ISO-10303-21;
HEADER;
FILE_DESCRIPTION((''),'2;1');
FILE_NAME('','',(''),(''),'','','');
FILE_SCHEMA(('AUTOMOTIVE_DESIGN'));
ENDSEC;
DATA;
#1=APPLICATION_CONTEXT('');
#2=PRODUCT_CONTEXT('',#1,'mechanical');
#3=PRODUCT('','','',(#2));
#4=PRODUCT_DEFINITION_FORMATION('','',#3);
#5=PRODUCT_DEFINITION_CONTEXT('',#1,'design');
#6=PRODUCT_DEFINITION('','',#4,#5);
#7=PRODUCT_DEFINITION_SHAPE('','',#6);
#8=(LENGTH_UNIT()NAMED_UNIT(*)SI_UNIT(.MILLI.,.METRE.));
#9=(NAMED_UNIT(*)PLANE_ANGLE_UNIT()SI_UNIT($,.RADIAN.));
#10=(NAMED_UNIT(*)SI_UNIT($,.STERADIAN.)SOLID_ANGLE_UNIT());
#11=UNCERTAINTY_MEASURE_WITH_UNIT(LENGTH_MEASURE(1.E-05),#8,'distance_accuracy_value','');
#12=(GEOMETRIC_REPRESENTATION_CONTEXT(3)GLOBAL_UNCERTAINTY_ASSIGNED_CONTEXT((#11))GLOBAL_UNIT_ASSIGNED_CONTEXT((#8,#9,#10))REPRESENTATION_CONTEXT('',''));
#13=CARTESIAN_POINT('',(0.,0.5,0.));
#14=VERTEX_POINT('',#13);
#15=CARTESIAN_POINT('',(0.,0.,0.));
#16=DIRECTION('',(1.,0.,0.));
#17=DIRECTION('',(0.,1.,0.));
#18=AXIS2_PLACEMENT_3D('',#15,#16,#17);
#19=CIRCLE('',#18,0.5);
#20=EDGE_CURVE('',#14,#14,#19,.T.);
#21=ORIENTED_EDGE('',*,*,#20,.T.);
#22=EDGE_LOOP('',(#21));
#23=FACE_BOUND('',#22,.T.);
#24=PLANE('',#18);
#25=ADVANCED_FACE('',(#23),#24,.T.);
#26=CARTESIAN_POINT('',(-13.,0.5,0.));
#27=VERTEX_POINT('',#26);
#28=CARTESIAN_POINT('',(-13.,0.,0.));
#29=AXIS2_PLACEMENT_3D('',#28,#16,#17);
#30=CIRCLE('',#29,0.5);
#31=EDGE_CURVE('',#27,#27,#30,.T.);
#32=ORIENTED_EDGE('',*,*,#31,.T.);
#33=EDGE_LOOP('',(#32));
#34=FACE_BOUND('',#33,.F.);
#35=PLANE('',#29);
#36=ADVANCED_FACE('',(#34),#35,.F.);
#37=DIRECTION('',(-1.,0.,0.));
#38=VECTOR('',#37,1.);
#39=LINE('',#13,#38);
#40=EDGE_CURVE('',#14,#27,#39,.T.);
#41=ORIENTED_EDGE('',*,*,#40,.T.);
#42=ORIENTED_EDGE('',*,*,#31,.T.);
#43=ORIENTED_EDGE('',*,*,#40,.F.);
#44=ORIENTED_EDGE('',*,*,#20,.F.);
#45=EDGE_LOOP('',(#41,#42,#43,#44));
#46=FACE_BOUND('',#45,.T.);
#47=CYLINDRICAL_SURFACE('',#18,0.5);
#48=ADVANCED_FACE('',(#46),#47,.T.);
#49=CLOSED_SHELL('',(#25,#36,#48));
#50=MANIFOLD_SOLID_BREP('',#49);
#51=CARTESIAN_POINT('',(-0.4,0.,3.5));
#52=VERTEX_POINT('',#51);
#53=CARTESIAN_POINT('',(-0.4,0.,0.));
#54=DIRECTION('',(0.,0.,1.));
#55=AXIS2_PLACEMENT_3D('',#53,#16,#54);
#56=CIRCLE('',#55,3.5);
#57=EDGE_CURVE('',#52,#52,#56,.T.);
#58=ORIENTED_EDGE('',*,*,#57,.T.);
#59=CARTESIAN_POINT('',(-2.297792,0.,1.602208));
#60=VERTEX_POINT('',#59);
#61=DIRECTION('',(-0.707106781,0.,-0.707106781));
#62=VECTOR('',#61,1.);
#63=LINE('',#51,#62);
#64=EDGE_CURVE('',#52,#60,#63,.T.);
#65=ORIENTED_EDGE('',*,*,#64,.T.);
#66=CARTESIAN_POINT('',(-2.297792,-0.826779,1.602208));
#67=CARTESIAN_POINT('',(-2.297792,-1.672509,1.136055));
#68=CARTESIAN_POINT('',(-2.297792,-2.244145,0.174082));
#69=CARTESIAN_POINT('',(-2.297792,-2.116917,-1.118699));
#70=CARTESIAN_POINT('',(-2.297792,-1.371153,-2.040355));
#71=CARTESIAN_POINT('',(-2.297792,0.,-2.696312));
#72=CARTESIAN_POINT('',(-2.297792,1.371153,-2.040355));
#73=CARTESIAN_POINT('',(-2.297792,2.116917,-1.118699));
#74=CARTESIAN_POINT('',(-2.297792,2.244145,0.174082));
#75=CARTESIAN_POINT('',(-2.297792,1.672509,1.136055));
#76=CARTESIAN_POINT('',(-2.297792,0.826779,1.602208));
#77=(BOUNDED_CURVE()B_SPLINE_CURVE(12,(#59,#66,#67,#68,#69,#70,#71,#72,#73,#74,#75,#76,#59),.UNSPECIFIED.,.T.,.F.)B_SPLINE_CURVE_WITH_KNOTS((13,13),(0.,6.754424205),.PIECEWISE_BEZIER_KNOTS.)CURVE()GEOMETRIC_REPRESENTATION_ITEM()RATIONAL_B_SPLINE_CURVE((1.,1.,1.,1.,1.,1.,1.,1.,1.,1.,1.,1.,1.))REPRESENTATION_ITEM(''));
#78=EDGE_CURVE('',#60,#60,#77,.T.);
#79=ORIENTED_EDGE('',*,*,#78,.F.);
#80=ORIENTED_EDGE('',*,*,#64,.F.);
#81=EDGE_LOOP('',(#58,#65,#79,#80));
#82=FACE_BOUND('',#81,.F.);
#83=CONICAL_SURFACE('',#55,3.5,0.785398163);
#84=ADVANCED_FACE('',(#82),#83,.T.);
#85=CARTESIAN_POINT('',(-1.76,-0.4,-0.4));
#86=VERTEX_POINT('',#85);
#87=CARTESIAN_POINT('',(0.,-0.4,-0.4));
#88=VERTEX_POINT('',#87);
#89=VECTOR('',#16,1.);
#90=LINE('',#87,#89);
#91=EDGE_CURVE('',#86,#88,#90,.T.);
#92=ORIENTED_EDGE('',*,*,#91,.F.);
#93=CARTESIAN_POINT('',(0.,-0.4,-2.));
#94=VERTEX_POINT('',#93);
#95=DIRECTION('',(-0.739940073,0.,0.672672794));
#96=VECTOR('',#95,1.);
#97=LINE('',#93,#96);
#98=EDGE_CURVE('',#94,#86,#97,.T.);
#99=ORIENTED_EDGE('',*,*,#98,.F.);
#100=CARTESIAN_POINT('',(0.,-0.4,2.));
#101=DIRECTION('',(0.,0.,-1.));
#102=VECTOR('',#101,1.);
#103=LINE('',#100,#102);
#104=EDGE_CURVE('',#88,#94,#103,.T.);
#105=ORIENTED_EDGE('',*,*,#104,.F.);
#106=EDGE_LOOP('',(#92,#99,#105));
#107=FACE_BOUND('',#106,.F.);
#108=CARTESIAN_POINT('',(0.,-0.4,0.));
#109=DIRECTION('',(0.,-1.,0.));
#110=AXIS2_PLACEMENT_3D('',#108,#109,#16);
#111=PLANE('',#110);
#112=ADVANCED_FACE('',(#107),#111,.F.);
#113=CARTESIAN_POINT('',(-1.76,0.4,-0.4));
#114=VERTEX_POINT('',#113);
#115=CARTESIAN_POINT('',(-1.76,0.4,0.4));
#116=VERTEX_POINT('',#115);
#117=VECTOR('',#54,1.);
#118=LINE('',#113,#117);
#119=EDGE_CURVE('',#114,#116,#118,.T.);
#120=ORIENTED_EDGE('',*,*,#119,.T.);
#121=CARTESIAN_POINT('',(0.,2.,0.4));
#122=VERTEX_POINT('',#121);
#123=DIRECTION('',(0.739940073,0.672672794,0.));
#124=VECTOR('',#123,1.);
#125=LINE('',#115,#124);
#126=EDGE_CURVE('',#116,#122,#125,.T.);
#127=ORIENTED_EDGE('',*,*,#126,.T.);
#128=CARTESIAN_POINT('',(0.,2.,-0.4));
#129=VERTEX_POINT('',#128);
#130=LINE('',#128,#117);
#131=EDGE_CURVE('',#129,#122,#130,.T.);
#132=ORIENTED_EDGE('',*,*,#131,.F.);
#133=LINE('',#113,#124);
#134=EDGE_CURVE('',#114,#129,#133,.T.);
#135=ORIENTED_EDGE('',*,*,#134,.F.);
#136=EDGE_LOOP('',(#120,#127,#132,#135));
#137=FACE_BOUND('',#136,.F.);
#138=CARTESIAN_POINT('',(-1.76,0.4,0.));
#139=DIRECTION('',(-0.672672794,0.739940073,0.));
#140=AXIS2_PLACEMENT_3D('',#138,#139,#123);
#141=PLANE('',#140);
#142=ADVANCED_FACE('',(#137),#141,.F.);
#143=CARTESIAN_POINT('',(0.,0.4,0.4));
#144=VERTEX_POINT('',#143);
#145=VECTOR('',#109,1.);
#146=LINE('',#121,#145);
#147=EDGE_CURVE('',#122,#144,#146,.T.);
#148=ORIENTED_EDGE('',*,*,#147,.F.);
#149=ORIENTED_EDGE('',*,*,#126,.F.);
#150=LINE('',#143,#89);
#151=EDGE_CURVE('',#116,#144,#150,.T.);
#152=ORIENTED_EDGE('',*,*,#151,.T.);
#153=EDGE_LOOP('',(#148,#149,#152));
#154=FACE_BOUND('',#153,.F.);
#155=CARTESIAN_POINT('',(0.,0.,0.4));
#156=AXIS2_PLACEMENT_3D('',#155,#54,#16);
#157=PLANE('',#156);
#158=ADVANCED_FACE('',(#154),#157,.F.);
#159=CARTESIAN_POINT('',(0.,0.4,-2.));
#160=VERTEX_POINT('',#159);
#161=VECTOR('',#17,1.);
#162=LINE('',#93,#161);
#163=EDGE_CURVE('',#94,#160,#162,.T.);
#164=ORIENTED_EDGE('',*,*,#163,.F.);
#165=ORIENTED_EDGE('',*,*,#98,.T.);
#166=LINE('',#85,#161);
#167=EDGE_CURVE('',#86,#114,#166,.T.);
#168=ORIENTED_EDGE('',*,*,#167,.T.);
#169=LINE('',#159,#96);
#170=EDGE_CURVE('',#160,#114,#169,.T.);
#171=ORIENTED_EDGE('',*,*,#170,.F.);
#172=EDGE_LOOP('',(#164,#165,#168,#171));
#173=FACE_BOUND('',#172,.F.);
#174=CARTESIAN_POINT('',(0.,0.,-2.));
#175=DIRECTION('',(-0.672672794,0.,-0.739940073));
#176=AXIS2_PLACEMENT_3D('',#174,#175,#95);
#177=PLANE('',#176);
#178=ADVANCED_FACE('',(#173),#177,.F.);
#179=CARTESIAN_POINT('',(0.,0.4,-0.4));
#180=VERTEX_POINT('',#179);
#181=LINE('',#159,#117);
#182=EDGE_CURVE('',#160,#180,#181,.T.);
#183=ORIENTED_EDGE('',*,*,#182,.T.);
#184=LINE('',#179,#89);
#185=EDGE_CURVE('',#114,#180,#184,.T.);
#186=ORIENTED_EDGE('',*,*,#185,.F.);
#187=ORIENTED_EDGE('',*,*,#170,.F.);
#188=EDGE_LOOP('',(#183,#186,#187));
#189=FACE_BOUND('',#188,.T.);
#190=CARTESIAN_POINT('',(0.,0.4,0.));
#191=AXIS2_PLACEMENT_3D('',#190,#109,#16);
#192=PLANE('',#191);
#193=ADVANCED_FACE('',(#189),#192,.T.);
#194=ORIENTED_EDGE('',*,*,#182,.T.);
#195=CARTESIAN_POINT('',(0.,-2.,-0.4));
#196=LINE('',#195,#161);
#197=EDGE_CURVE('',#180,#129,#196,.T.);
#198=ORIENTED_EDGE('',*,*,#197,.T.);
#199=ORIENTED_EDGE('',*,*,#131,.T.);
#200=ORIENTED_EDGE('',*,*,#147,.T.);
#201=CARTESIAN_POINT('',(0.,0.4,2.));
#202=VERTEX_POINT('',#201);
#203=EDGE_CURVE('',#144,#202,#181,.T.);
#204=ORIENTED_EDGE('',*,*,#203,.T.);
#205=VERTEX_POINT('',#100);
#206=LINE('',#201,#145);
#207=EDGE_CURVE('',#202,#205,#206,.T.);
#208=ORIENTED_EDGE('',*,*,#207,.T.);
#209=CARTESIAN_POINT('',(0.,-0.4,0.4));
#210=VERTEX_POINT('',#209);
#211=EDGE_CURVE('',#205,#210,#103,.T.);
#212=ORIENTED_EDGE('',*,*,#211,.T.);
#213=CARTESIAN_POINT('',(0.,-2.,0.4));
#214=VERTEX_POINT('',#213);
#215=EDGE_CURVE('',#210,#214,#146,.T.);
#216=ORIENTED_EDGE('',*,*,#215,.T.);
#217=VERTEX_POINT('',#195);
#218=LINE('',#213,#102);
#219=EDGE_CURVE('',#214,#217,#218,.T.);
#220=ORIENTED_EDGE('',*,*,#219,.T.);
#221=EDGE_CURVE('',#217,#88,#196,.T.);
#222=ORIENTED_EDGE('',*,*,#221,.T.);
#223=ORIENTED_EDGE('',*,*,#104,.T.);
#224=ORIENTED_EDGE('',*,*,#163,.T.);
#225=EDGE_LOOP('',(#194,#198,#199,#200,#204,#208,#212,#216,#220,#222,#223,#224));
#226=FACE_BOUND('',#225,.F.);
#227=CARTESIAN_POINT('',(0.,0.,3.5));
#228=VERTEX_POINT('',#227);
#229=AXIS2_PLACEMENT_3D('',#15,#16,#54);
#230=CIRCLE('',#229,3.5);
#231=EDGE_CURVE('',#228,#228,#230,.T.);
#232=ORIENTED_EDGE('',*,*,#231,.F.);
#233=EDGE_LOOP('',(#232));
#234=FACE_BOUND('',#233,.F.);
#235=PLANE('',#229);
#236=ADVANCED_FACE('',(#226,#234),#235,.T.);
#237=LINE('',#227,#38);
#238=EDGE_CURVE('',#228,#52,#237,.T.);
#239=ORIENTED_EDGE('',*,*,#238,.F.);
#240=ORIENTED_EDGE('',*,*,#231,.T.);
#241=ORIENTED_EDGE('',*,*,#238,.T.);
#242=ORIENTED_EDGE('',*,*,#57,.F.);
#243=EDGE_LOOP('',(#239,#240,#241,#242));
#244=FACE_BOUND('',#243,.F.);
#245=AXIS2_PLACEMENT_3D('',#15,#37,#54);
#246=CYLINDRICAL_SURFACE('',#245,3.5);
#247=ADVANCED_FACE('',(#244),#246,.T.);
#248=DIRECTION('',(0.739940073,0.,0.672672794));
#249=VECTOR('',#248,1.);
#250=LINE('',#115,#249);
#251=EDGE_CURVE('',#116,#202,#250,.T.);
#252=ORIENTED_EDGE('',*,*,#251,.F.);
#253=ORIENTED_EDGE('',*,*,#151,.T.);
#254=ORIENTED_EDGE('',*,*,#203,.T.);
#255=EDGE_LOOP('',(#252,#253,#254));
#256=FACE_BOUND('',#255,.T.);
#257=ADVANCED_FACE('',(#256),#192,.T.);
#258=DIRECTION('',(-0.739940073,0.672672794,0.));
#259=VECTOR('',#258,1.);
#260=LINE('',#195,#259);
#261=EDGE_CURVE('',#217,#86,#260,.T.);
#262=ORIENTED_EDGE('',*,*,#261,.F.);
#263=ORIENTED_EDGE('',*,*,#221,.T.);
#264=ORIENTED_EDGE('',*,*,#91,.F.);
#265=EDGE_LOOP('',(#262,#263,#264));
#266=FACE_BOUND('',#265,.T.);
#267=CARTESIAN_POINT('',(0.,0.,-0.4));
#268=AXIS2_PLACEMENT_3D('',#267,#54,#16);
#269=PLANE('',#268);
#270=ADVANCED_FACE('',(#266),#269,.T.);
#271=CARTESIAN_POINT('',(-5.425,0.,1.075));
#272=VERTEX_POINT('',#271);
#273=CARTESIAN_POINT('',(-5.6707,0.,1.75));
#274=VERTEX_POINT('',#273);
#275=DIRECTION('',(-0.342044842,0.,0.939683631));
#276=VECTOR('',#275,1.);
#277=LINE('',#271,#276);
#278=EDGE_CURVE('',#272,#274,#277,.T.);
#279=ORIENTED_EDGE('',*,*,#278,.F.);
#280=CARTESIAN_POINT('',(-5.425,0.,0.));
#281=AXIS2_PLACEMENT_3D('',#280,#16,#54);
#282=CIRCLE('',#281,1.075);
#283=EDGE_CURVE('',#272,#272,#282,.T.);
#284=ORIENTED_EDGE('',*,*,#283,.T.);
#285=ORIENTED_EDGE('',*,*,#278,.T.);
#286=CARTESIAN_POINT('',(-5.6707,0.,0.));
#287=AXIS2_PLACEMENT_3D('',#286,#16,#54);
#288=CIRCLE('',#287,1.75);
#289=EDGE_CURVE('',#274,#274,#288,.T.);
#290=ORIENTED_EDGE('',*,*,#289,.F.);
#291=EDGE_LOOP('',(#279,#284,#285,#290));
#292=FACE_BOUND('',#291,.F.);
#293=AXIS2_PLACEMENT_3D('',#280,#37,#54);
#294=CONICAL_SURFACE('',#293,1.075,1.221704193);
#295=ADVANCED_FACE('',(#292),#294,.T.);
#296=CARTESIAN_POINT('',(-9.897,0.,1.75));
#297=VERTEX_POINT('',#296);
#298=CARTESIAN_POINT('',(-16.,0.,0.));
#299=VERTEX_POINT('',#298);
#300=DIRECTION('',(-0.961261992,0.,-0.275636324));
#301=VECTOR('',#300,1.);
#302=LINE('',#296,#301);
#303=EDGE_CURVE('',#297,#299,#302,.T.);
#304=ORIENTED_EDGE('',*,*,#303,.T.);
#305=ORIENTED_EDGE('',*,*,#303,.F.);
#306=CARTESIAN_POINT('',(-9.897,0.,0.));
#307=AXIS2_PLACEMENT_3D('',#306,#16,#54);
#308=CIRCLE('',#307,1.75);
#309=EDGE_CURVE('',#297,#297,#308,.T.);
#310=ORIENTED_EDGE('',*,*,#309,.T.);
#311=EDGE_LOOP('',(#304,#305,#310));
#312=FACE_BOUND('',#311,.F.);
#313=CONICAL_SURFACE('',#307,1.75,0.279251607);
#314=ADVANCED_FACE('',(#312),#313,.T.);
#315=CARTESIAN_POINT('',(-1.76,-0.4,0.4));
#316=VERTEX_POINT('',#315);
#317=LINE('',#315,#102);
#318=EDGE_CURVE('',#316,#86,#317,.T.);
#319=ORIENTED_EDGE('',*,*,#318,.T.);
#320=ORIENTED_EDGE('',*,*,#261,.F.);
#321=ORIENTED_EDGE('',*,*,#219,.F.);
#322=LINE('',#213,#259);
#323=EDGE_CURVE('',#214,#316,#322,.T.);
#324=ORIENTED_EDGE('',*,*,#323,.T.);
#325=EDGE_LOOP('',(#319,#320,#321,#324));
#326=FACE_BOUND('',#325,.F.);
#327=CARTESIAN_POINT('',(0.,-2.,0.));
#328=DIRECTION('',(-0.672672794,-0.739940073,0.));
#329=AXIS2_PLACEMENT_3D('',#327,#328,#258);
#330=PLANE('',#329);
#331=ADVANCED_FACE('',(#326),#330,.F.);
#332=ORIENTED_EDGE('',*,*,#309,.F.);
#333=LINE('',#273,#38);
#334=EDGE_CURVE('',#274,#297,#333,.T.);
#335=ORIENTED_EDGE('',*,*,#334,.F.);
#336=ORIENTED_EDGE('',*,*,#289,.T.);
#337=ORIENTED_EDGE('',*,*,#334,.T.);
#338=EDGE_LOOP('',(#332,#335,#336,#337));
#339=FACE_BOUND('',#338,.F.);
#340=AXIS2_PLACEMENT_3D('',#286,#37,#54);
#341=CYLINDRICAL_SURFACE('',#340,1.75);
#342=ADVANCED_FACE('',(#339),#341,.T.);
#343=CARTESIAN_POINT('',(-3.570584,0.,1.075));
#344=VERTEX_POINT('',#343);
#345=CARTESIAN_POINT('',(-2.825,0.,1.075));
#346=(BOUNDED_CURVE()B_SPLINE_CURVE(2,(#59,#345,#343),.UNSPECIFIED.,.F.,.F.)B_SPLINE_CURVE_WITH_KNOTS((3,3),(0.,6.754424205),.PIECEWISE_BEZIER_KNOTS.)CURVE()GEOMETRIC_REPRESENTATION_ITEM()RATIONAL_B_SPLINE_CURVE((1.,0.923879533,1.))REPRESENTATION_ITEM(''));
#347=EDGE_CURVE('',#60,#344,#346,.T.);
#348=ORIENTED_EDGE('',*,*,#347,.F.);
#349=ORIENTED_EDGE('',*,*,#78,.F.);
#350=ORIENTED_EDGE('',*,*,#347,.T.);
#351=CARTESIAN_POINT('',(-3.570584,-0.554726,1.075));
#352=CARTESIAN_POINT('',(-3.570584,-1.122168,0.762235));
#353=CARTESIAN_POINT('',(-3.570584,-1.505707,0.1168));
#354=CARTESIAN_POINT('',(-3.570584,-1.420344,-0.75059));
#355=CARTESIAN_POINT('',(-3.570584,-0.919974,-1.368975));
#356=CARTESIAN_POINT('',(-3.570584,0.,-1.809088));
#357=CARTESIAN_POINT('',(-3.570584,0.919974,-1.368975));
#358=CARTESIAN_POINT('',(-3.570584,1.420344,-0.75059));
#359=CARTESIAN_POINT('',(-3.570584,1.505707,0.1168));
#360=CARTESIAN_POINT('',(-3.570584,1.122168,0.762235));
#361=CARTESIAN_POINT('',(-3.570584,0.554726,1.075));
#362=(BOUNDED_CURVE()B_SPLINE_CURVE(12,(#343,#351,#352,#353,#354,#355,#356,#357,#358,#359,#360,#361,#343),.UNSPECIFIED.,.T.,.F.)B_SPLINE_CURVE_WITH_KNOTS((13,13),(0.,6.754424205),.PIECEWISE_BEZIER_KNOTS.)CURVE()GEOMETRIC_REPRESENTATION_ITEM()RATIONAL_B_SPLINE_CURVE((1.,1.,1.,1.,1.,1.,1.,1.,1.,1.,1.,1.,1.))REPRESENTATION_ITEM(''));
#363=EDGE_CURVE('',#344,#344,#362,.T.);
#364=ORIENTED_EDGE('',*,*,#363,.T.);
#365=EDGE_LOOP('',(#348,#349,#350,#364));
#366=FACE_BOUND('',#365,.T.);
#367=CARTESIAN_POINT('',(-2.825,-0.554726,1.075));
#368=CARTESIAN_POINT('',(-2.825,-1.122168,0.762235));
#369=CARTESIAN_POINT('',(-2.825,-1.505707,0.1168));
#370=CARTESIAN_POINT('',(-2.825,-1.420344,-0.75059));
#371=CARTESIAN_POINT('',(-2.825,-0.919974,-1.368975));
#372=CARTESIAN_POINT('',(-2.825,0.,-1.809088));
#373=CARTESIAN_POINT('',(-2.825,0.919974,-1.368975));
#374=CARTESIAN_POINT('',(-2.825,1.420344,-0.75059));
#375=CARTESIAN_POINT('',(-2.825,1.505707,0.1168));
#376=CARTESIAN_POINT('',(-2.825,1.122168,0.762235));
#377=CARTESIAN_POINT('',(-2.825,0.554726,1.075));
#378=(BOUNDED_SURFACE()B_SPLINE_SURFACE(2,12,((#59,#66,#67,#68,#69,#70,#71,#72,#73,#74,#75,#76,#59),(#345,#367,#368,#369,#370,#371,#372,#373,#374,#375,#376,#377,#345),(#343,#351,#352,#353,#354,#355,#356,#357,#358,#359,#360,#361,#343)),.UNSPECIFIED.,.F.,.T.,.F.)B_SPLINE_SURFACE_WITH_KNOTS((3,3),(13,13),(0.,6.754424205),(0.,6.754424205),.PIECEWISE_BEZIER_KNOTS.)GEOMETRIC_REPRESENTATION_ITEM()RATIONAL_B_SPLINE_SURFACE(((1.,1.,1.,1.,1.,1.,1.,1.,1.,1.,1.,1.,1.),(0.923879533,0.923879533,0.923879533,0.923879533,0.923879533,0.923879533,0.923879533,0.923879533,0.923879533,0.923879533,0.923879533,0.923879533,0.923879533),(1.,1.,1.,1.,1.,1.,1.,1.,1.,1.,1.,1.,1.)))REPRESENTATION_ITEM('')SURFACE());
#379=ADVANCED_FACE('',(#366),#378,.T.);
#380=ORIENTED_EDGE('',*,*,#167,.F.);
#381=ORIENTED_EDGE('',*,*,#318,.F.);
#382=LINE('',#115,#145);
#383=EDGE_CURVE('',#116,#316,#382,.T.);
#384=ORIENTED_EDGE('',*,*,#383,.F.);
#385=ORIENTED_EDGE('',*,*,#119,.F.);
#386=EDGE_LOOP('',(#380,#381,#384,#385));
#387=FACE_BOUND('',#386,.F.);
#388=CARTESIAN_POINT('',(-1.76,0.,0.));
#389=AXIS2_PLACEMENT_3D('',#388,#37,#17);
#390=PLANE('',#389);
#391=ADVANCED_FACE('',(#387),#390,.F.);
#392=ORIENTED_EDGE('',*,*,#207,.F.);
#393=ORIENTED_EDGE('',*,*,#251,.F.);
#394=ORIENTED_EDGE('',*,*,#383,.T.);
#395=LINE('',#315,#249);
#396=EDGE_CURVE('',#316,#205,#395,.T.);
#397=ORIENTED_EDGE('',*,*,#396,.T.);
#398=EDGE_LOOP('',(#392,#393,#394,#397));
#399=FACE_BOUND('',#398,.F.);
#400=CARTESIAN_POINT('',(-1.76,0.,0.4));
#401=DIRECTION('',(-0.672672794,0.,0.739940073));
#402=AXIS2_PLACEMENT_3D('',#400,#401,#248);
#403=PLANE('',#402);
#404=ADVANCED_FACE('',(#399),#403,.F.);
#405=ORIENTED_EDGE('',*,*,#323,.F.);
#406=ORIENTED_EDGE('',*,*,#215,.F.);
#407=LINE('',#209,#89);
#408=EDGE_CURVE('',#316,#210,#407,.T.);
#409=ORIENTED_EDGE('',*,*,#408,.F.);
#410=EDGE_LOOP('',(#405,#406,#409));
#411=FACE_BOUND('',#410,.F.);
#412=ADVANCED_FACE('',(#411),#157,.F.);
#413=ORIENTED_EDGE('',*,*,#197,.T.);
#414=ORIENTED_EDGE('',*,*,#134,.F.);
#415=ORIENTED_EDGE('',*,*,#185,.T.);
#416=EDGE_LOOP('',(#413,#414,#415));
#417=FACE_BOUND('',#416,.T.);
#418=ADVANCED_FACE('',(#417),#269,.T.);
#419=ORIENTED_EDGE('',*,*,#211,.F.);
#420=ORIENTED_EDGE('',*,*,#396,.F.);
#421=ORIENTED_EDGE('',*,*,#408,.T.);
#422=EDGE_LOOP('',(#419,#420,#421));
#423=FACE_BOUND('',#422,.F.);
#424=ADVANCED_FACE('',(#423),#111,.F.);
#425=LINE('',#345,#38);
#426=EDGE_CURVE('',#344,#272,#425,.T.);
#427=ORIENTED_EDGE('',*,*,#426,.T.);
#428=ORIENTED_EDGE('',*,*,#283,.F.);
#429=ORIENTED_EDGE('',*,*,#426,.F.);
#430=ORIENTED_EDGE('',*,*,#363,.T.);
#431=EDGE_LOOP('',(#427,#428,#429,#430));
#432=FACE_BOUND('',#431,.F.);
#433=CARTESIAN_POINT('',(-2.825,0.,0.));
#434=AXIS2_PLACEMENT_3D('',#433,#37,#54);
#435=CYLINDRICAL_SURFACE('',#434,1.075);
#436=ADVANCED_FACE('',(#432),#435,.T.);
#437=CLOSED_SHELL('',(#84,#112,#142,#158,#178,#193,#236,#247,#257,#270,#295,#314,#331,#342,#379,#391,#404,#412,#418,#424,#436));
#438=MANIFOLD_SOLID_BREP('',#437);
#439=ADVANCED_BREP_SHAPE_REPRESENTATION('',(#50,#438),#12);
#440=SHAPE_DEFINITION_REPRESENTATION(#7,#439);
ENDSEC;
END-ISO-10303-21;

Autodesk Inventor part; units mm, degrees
ref_plane "YZ Plane" through (0, 0, 0) normal (1, 0, 0) x (0, 1, 0)
ref_plane "XZ Plane" through (0, 0, 0) normal (0, 1, 0) x (-1, 0, 0)
ref_plane "XY Plane" through (0, 0, 0) normal (0, 0, 1) x (1, 0, 0)
sketch "Sketch1" plane through (0, 0, 0) normal (0, 1, 0) x (-1, 0, 0)
  line L0 (0, 0) -> (0, 3.5)
  line L1 (0, 3.5) -> (0.4, 3.5)
  line L2 (0.4, 3.5) -> (2.825, 1.075)
  line L3 (2.825, 1.075) -> (5.425, 1.075)
  line L4 (5.425, 1.075) -> (5.6707, 1.75)
  line L5 (5.6707, 1.75) -> (9.897, 1.75)
  line L6 (9.897, 1.75) -> (16, 0)
  line L7 (16, 0) -> (0, 0)
  dimension "d0" = 7
  dimension "d1" = 45
  dimension "d2" = 16
  dimension "d3" = 2.6
  dimension "d4" = 110
  dimension "d5" = 2.15
  dimension "d6" = 3.5
  dimension "d7" = 0.4
  dimension "d8" = 16
revolve "Revolution1" add sketch "Sketch1" angle 360 about axis through (-16, 0, 0) along (1, 0, 0)
sketch "Sketch2" plane through (0, 0, 0) normal (0, 0, 1) x (1, 0, 0)
  line L0 (0, 3.5) -> (0, -3.5) projected
  line L1 (0, -2) -> (-1.76, -0.4)
  line L2 (-1.76, -0.4) -> (-1.76, 0.4)
  line L3 (-1.76, 0.4) -> (0, 2)
  line L4 (-2.112, 0) -> (0.352, 0) projected
  point P0 (0, 0)
  dimension "d10" = 4
  dimension "d11" = 1.76
  dimension "d12" = 0.8
extrude "Extrusion1" cut sketch "Sketch2" along normal mid plane 0.8
pattern_circular "Circular Pattern1" count 2 over 90 about axis through (-10, 0, 0) along (1, 0, 0) of "Extrusion1"
fillet "Fillet1" radius 1.8 1 edges at (-2.825, 0, -1.075)
thread "Thread1" size "R 3" standard "ISO Taper" full length
sketch "Sketch3" plane through (0, 0, 0) normal (1, 0, 0) x (0, 1, 0)
  circle A0 centre (0, 0) radius 0.5
  dimension "d21" = 1
extrude "Extrusion2" add sketch "Sketch3" against normal blind 13 separate body
thread "Thread2" size "R 6" standard "ISO Taper" full length
equation "\"d10\" = M"
equation "\"d11\" = Q"
equation "\"d18\" = R"
equation "\"d19\" = L"
equation "\"d0\" = A_H"
equation "\"d3\" = a"
equation "\"d5\" = d"
equation "\"d6\" = D"
equation "\"d8\" = L"
equation "\"D\" = 3.5"
equation "\"a\" = 2.6"
equation "\"d\" = 2.15"
equation "\"P\" = 1.6"
equation "\"Q\" = 1.76"
equation "\"M\" = 4"
equation "\"A_H\" = 7"
equation "\"R\" = 1.8"
equation "\"L\" = 16"
properties part number "Wood screw Cross Recessed Flat Head M3.5x16 H" material "Steel"
